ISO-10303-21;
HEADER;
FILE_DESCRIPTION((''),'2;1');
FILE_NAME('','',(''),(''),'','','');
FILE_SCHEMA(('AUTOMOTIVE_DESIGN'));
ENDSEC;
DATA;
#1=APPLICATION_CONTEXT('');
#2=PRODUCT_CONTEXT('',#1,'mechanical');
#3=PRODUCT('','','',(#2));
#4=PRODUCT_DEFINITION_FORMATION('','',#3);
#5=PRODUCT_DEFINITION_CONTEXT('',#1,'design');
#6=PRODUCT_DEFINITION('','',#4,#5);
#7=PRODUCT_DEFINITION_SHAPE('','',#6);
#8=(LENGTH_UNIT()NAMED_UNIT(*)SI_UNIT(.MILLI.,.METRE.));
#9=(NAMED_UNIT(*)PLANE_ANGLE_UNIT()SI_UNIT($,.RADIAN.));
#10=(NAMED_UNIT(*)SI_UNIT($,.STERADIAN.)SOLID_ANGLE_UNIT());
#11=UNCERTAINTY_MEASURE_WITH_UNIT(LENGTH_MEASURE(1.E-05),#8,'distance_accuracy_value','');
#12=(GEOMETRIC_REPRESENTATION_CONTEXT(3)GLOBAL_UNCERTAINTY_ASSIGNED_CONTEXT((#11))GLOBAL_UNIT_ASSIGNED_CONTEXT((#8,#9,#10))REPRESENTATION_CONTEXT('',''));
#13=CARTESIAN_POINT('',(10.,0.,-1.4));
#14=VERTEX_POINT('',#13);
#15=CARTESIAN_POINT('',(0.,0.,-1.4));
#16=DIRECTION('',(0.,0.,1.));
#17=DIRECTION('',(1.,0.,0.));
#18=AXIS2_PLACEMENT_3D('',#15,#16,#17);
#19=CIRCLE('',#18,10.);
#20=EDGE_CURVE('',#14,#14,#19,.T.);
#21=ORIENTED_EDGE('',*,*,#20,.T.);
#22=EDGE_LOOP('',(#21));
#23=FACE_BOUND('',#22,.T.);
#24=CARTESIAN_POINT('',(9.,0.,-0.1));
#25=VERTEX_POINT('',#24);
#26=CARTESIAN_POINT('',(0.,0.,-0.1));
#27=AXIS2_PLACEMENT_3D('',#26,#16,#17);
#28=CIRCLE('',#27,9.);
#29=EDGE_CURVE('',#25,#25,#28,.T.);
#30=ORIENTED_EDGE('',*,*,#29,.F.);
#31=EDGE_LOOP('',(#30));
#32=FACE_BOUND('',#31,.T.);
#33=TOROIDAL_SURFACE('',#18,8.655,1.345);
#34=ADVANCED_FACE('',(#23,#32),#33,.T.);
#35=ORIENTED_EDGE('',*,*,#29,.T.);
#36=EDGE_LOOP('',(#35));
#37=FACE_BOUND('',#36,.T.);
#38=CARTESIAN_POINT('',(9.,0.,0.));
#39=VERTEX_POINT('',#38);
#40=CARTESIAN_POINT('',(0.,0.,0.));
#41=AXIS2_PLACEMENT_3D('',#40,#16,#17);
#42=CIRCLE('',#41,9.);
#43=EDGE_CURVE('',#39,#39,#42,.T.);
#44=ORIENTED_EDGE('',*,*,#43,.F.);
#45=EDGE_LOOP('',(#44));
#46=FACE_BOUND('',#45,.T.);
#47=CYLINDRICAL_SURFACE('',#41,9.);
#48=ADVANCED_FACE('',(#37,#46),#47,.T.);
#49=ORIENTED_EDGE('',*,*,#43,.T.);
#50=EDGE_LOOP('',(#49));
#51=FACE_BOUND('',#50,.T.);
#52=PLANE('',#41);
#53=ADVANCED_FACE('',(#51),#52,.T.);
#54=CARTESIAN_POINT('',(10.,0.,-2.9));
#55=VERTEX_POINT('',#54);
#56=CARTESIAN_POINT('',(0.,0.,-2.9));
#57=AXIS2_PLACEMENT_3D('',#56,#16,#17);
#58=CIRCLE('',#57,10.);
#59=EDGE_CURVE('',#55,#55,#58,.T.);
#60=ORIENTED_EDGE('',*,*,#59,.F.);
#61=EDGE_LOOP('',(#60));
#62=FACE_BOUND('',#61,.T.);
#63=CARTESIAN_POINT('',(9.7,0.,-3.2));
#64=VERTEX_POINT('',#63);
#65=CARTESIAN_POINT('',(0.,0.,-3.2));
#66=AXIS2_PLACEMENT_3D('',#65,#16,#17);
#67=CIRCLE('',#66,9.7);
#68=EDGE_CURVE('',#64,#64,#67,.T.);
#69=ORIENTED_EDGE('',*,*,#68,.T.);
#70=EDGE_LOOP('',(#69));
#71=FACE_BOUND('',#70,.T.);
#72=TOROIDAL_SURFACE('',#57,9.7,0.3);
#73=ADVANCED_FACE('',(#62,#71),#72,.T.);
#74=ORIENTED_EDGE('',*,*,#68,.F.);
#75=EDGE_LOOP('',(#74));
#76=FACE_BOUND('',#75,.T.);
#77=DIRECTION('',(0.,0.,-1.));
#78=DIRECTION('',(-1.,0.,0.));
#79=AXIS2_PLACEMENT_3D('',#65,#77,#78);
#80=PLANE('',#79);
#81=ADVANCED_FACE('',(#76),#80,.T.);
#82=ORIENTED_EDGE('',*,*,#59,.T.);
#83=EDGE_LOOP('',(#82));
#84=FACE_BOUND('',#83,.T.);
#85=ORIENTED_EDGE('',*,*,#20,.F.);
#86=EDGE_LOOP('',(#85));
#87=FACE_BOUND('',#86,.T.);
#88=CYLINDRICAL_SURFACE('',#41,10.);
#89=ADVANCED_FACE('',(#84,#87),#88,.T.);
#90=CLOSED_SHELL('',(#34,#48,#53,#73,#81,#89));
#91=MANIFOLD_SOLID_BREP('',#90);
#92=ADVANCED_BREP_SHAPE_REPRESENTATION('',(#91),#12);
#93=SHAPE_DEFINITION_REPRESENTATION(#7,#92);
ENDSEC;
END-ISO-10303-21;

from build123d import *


with BuildPart() as part:
    # Sketch1 → Revolve1 (revolve)
    with BuildSketch(Plane(origin=(0, 0, 0), x_dir=(1, 0, 0), z_dir=(0, 1, 0))):
        with BuildLine():
            Line((0, 0), (0, 3.2))
            Line((0, 3.2), (9.7, 3.2))
            ThreePointArc((9.7, 3.2), (9.912132034, 3.112132034), (10, 2.9))
            Line((10, 2.9), (10, 1.4))
            ThreePointArc((10, 1.4), (9.721079265, 0.579939027), (9, 0.1))
            Line((9, 0.1), (9, 0))
            Line((9, 0), (0, 0))
        make_face()
    revolve(axis=Axis((0, 0, 0), (0, 0, -1)))


solid = part.part
